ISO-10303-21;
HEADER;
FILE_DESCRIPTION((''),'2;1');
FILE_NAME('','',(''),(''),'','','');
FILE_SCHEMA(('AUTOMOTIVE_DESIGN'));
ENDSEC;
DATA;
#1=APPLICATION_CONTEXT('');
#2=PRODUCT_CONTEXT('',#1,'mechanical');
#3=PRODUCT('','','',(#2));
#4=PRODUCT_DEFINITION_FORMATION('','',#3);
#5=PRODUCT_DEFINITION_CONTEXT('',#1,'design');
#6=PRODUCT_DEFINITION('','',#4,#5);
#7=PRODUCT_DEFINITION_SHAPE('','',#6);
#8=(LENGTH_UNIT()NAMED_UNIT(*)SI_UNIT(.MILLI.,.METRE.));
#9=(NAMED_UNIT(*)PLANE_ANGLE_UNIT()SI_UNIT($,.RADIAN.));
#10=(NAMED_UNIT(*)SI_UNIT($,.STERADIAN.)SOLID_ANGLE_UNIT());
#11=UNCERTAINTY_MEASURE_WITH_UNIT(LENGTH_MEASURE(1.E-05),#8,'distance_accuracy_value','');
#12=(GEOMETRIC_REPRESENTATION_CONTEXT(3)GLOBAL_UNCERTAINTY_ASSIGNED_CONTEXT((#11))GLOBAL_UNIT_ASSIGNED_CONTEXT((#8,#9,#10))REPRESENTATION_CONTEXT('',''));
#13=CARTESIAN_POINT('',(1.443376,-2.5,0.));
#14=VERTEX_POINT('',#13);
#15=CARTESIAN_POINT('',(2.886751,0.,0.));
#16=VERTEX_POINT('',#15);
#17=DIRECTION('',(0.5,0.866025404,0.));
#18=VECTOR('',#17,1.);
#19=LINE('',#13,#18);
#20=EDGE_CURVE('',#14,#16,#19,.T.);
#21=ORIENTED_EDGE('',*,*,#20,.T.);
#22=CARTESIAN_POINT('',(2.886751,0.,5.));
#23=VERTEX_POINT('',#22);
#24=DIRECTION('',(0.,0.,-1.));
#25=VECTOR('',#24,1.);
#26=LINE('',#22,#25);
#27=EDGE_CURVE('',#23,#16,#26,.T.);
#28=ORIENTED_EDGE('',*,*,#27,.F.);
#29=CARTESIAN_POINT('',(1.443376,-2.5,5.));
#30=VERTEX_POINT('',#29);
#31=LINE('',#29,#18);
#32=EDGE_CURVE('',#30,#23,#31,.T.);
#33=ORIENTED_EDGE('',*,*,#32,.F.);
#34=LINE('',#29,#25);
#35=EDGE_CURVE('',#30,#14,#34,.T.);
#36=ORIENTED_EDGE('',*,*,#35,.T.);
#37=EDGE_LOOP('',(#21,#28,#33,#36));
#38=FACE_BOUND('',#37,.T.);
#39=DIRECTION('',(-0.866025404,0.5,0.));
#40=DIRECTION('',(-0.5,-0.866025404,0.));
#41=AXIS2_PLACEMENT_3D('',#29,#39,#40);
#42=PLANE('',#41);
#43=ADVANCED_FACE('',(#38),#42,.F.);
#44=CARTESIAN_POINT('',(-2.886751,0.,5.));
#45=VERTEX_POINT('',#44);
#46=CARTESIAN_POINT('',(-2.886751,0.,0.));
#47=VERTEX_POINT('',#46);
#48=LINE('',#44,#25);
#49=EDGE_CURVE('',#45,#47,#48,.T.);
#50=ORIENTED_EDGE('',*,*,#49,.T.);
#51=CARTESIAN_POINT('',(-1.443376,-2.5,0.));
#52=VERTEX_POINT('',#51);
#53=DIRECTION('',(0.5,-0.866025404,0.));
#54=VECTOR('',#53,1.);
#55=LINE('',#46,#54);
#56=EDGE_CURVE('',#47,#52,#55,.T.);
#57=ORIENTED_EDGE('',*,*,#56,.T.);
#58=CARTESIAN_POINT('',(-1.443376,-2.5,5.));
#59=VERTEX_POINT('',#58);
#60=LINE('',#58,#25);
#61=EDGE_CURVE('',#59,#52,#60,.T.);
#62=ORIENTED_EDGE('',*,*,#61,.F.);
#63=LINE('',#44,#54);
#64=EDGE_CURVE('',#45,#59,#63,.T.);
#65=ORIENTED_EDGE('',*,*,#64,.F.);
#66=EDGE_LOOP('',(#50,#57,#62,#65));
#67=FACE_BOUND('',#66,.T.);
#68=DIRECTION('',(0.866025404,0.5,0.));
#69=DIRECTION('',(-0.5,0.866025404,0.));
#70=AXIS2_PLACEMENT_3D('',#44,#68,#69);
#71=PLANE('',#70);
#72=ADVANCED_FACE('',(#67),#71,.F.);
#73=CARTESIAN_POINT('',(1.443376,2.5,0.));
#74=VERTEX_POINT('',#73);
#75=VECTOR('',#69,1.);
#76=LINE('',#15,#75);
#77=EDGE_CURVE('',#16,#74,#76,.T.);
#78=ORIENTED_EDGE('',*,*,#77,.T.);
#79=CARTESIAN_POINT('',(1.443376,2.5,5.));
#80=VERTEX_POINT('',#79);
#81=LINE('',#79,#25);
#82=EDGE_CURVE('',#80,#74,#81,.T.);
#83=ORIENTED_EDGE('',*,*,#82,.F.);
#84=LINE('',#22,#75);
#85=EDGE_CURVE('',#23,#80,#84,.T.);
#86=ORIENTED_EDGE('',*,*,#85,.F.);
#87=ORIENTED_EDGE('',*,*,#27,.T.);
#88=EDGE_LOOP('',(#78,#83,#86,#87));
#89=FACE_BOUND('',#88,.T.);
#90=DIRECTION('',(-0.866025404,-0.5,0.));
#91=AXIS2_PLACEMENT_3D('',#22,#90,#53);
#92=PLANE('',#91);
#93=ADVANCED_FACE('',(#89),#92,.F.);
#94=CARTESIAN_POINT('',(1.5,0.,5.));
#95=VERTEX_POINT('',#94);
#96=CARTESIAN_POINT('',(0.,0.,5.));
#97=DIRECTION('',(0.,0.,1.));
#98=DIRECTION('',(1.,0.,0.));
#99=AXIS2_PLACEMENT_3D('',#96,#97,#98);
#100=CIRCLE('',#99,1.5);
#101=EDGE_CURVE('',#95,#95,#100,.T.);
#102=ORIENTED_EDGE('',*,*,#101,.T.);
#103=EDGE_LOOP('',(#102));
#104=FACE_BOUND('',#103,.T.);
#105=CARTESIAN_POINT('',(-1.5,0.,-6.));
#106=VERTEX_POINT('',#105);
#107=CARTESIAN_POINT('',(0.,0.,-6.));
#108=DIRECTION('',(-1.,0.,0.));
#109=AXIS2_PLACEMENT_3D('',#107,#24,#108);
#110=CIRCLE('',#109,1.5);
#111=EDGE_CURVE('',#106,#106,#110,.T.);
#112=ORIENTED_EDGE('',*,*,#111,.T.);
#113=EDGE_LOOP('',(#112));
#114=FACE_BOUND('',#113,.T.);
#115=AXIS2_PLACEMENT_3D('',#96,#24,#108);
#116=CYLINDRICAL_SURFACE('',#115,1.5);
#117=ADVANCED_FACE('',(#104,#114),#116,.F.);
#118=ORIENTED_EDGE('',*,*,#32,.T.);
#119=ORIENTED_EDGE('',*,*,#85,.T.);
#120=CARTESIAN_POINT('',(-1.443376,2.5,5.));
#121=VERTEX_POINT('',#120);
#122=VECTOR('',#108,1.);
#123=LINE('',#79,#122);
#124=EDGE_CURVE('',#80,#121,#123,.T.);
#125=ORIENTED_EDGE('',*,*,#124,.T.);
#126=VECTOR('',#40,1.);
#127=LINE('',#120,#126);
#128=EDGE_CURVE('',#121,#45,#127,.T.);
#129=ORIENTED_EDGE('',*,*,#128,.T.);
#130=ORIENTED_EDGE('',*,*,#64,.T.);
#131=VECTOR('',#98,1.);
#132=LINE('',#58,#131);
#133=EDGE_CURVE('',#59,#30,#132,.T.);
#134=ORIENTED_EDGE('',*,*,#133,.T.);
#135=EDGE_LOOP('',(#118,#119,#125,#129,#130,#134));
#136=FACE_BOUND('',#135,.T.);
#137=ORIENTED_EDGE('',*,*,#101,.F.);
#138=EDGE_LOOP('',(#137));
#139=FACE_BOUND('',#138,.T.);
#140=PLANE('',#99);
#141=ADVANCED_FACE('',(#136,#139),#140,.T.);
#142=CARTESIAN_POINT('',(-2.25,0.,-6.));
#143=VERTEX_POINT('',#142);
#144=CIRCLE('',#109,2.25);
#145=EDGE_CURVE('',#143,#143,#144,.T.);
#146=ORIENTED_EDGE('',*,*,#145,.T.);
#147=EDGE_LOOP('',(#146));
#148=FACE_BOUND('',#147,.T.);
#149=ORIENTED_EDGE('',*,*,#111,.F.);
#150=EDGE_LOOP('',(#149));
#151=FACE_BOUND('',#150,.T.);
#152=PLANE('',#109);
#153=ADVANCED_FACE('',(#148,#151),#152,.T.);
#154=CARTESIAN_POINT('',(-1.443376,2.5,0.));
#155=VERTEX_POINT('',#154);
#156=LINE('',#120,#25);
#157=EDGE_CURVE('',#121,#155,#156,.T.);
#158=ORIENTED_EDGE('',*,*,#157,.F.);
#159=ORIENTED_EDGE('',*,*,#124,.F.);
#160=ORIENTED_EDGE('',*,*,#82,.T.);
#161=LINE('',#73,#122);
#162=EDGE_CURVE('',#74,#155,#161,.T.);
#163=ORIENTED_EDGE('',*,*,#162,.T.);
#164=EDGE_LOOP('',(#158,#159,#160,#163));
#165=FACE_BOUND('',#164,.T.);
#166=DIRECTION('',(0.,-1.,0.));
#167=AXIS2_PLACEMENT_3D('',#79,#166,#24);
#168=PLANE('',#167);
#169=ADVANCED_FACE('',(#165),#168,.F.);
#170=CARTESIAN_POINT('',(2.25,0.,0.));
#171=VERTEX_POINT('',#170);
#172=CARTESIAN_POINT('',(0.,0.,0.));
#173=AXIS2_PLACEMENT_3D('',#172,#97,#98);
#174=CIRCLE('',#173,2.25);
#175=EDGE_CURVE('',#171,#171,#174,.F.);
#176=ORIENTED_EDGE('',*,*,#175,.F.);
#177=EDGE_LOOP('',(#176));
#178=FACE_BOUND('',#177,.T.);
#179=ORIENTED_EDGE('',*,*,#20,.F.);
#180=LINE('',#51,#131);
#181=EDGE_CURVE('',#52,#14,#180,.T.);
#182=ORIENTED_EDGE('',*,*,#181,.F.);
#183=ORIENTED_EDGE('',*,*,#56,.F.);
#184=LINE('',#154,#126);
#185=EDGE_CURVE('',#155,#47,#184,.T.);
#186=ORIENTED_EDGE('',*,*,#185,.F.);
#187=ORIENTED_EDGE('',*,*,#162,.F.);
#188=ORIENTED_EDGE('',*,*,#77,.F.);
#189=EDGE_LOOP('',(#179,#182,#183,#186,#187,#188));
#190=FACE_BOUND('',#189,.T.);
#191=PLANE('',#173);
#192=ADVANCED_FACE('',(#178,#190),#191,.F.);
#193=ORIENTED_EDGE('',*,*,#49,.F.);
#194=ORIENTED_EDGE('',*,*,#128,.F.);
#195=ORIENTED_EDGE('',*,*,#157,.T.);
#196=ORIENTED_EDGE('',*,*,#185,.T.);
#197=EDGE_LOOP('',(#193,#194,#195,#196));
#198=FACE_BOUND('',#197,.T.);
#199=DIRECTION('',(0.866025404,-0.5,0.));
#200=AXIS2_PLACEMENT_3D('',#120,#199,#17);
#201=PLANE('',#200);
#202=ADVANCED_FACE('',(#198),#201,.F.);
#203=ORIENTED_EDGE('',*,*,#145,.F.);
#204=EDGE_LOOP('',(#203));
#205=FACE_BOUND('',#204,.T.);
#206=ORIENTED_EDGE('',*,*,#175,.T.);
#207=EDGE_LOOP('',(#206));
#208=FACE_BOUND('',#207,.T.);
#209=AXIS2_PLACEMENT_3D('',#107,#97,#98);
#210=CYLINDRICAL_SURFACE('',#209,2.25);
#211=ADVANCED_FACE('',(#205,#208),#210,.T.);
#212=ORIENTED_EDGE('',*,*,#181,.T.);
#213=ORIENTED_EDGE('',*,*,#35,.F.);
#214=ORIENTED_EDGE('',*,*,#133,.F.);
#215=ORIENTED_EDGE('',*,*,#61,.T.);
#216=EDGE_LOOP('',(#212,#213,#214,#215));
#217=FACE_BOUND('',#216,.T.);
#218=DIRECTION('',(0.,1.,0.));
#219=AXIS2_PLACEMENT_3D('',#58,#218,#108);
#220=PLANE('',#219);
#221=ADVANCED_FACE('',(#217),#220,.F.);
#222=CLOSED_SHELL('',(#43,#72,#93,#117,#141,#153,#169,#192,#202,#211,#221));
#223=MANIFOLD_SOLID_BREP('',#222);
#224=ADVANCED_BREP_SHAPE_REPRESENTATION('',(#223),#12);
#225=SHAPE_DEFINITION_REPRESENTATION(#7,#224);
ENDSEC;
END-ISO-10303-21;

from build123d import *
from build123d.topology import SkipClean

# Parameters (mm, degrees)
ESQUISSE1_R        = 1.5
BOSS_EXTRU_1_DEPTH = 5
BOSS_EXTRU_2_START = 6
ESQUISSE2_R        = 2.25
ESQUISSE2_R_2      = 1.5
BOSS_EXTRU_2_DEPTH = 6


with BuildPart() as part:
    # Esquisse1 → Boss.-Extru.1 (new body)
    with BuildSketch(Plane.XY):
        Polygon((-2.886751346, 0), (-1.443375673, -2.5), (1.443375673, -2.5), (2.886751346, 0), (1.443375673, 2.5), (-1.443375673, 2.5), align=None)
        Circle(ESQUISSE1_R, mode=Mode.SUBTRACT)
    extrude(amount=BOSS_EXTRU_1_DEPTH)

    # Esquisse2 → Boss.-Extru.2 (add)
    with SkipClean():  # the faces are left unmerged after this step: merging them gives an invalid solid
        with BuildSketch(Plane(origin=(0, 0, 0), x_dir=(-1, 0, 0), z_dir=(0, 0, -1)).offset(BOSS_EXTRU_2_START)):
            with Locations(Location((0, 0, 0), (0, 0, 180))):
                Circle(ESQUISSE2_R)
            Circle(ESQUISSE2_R_2, mode=Mode.SUBTRACT)
        extrude(amount=-BOSS_EXTRU_2_DEPTH)


solid = part.part
